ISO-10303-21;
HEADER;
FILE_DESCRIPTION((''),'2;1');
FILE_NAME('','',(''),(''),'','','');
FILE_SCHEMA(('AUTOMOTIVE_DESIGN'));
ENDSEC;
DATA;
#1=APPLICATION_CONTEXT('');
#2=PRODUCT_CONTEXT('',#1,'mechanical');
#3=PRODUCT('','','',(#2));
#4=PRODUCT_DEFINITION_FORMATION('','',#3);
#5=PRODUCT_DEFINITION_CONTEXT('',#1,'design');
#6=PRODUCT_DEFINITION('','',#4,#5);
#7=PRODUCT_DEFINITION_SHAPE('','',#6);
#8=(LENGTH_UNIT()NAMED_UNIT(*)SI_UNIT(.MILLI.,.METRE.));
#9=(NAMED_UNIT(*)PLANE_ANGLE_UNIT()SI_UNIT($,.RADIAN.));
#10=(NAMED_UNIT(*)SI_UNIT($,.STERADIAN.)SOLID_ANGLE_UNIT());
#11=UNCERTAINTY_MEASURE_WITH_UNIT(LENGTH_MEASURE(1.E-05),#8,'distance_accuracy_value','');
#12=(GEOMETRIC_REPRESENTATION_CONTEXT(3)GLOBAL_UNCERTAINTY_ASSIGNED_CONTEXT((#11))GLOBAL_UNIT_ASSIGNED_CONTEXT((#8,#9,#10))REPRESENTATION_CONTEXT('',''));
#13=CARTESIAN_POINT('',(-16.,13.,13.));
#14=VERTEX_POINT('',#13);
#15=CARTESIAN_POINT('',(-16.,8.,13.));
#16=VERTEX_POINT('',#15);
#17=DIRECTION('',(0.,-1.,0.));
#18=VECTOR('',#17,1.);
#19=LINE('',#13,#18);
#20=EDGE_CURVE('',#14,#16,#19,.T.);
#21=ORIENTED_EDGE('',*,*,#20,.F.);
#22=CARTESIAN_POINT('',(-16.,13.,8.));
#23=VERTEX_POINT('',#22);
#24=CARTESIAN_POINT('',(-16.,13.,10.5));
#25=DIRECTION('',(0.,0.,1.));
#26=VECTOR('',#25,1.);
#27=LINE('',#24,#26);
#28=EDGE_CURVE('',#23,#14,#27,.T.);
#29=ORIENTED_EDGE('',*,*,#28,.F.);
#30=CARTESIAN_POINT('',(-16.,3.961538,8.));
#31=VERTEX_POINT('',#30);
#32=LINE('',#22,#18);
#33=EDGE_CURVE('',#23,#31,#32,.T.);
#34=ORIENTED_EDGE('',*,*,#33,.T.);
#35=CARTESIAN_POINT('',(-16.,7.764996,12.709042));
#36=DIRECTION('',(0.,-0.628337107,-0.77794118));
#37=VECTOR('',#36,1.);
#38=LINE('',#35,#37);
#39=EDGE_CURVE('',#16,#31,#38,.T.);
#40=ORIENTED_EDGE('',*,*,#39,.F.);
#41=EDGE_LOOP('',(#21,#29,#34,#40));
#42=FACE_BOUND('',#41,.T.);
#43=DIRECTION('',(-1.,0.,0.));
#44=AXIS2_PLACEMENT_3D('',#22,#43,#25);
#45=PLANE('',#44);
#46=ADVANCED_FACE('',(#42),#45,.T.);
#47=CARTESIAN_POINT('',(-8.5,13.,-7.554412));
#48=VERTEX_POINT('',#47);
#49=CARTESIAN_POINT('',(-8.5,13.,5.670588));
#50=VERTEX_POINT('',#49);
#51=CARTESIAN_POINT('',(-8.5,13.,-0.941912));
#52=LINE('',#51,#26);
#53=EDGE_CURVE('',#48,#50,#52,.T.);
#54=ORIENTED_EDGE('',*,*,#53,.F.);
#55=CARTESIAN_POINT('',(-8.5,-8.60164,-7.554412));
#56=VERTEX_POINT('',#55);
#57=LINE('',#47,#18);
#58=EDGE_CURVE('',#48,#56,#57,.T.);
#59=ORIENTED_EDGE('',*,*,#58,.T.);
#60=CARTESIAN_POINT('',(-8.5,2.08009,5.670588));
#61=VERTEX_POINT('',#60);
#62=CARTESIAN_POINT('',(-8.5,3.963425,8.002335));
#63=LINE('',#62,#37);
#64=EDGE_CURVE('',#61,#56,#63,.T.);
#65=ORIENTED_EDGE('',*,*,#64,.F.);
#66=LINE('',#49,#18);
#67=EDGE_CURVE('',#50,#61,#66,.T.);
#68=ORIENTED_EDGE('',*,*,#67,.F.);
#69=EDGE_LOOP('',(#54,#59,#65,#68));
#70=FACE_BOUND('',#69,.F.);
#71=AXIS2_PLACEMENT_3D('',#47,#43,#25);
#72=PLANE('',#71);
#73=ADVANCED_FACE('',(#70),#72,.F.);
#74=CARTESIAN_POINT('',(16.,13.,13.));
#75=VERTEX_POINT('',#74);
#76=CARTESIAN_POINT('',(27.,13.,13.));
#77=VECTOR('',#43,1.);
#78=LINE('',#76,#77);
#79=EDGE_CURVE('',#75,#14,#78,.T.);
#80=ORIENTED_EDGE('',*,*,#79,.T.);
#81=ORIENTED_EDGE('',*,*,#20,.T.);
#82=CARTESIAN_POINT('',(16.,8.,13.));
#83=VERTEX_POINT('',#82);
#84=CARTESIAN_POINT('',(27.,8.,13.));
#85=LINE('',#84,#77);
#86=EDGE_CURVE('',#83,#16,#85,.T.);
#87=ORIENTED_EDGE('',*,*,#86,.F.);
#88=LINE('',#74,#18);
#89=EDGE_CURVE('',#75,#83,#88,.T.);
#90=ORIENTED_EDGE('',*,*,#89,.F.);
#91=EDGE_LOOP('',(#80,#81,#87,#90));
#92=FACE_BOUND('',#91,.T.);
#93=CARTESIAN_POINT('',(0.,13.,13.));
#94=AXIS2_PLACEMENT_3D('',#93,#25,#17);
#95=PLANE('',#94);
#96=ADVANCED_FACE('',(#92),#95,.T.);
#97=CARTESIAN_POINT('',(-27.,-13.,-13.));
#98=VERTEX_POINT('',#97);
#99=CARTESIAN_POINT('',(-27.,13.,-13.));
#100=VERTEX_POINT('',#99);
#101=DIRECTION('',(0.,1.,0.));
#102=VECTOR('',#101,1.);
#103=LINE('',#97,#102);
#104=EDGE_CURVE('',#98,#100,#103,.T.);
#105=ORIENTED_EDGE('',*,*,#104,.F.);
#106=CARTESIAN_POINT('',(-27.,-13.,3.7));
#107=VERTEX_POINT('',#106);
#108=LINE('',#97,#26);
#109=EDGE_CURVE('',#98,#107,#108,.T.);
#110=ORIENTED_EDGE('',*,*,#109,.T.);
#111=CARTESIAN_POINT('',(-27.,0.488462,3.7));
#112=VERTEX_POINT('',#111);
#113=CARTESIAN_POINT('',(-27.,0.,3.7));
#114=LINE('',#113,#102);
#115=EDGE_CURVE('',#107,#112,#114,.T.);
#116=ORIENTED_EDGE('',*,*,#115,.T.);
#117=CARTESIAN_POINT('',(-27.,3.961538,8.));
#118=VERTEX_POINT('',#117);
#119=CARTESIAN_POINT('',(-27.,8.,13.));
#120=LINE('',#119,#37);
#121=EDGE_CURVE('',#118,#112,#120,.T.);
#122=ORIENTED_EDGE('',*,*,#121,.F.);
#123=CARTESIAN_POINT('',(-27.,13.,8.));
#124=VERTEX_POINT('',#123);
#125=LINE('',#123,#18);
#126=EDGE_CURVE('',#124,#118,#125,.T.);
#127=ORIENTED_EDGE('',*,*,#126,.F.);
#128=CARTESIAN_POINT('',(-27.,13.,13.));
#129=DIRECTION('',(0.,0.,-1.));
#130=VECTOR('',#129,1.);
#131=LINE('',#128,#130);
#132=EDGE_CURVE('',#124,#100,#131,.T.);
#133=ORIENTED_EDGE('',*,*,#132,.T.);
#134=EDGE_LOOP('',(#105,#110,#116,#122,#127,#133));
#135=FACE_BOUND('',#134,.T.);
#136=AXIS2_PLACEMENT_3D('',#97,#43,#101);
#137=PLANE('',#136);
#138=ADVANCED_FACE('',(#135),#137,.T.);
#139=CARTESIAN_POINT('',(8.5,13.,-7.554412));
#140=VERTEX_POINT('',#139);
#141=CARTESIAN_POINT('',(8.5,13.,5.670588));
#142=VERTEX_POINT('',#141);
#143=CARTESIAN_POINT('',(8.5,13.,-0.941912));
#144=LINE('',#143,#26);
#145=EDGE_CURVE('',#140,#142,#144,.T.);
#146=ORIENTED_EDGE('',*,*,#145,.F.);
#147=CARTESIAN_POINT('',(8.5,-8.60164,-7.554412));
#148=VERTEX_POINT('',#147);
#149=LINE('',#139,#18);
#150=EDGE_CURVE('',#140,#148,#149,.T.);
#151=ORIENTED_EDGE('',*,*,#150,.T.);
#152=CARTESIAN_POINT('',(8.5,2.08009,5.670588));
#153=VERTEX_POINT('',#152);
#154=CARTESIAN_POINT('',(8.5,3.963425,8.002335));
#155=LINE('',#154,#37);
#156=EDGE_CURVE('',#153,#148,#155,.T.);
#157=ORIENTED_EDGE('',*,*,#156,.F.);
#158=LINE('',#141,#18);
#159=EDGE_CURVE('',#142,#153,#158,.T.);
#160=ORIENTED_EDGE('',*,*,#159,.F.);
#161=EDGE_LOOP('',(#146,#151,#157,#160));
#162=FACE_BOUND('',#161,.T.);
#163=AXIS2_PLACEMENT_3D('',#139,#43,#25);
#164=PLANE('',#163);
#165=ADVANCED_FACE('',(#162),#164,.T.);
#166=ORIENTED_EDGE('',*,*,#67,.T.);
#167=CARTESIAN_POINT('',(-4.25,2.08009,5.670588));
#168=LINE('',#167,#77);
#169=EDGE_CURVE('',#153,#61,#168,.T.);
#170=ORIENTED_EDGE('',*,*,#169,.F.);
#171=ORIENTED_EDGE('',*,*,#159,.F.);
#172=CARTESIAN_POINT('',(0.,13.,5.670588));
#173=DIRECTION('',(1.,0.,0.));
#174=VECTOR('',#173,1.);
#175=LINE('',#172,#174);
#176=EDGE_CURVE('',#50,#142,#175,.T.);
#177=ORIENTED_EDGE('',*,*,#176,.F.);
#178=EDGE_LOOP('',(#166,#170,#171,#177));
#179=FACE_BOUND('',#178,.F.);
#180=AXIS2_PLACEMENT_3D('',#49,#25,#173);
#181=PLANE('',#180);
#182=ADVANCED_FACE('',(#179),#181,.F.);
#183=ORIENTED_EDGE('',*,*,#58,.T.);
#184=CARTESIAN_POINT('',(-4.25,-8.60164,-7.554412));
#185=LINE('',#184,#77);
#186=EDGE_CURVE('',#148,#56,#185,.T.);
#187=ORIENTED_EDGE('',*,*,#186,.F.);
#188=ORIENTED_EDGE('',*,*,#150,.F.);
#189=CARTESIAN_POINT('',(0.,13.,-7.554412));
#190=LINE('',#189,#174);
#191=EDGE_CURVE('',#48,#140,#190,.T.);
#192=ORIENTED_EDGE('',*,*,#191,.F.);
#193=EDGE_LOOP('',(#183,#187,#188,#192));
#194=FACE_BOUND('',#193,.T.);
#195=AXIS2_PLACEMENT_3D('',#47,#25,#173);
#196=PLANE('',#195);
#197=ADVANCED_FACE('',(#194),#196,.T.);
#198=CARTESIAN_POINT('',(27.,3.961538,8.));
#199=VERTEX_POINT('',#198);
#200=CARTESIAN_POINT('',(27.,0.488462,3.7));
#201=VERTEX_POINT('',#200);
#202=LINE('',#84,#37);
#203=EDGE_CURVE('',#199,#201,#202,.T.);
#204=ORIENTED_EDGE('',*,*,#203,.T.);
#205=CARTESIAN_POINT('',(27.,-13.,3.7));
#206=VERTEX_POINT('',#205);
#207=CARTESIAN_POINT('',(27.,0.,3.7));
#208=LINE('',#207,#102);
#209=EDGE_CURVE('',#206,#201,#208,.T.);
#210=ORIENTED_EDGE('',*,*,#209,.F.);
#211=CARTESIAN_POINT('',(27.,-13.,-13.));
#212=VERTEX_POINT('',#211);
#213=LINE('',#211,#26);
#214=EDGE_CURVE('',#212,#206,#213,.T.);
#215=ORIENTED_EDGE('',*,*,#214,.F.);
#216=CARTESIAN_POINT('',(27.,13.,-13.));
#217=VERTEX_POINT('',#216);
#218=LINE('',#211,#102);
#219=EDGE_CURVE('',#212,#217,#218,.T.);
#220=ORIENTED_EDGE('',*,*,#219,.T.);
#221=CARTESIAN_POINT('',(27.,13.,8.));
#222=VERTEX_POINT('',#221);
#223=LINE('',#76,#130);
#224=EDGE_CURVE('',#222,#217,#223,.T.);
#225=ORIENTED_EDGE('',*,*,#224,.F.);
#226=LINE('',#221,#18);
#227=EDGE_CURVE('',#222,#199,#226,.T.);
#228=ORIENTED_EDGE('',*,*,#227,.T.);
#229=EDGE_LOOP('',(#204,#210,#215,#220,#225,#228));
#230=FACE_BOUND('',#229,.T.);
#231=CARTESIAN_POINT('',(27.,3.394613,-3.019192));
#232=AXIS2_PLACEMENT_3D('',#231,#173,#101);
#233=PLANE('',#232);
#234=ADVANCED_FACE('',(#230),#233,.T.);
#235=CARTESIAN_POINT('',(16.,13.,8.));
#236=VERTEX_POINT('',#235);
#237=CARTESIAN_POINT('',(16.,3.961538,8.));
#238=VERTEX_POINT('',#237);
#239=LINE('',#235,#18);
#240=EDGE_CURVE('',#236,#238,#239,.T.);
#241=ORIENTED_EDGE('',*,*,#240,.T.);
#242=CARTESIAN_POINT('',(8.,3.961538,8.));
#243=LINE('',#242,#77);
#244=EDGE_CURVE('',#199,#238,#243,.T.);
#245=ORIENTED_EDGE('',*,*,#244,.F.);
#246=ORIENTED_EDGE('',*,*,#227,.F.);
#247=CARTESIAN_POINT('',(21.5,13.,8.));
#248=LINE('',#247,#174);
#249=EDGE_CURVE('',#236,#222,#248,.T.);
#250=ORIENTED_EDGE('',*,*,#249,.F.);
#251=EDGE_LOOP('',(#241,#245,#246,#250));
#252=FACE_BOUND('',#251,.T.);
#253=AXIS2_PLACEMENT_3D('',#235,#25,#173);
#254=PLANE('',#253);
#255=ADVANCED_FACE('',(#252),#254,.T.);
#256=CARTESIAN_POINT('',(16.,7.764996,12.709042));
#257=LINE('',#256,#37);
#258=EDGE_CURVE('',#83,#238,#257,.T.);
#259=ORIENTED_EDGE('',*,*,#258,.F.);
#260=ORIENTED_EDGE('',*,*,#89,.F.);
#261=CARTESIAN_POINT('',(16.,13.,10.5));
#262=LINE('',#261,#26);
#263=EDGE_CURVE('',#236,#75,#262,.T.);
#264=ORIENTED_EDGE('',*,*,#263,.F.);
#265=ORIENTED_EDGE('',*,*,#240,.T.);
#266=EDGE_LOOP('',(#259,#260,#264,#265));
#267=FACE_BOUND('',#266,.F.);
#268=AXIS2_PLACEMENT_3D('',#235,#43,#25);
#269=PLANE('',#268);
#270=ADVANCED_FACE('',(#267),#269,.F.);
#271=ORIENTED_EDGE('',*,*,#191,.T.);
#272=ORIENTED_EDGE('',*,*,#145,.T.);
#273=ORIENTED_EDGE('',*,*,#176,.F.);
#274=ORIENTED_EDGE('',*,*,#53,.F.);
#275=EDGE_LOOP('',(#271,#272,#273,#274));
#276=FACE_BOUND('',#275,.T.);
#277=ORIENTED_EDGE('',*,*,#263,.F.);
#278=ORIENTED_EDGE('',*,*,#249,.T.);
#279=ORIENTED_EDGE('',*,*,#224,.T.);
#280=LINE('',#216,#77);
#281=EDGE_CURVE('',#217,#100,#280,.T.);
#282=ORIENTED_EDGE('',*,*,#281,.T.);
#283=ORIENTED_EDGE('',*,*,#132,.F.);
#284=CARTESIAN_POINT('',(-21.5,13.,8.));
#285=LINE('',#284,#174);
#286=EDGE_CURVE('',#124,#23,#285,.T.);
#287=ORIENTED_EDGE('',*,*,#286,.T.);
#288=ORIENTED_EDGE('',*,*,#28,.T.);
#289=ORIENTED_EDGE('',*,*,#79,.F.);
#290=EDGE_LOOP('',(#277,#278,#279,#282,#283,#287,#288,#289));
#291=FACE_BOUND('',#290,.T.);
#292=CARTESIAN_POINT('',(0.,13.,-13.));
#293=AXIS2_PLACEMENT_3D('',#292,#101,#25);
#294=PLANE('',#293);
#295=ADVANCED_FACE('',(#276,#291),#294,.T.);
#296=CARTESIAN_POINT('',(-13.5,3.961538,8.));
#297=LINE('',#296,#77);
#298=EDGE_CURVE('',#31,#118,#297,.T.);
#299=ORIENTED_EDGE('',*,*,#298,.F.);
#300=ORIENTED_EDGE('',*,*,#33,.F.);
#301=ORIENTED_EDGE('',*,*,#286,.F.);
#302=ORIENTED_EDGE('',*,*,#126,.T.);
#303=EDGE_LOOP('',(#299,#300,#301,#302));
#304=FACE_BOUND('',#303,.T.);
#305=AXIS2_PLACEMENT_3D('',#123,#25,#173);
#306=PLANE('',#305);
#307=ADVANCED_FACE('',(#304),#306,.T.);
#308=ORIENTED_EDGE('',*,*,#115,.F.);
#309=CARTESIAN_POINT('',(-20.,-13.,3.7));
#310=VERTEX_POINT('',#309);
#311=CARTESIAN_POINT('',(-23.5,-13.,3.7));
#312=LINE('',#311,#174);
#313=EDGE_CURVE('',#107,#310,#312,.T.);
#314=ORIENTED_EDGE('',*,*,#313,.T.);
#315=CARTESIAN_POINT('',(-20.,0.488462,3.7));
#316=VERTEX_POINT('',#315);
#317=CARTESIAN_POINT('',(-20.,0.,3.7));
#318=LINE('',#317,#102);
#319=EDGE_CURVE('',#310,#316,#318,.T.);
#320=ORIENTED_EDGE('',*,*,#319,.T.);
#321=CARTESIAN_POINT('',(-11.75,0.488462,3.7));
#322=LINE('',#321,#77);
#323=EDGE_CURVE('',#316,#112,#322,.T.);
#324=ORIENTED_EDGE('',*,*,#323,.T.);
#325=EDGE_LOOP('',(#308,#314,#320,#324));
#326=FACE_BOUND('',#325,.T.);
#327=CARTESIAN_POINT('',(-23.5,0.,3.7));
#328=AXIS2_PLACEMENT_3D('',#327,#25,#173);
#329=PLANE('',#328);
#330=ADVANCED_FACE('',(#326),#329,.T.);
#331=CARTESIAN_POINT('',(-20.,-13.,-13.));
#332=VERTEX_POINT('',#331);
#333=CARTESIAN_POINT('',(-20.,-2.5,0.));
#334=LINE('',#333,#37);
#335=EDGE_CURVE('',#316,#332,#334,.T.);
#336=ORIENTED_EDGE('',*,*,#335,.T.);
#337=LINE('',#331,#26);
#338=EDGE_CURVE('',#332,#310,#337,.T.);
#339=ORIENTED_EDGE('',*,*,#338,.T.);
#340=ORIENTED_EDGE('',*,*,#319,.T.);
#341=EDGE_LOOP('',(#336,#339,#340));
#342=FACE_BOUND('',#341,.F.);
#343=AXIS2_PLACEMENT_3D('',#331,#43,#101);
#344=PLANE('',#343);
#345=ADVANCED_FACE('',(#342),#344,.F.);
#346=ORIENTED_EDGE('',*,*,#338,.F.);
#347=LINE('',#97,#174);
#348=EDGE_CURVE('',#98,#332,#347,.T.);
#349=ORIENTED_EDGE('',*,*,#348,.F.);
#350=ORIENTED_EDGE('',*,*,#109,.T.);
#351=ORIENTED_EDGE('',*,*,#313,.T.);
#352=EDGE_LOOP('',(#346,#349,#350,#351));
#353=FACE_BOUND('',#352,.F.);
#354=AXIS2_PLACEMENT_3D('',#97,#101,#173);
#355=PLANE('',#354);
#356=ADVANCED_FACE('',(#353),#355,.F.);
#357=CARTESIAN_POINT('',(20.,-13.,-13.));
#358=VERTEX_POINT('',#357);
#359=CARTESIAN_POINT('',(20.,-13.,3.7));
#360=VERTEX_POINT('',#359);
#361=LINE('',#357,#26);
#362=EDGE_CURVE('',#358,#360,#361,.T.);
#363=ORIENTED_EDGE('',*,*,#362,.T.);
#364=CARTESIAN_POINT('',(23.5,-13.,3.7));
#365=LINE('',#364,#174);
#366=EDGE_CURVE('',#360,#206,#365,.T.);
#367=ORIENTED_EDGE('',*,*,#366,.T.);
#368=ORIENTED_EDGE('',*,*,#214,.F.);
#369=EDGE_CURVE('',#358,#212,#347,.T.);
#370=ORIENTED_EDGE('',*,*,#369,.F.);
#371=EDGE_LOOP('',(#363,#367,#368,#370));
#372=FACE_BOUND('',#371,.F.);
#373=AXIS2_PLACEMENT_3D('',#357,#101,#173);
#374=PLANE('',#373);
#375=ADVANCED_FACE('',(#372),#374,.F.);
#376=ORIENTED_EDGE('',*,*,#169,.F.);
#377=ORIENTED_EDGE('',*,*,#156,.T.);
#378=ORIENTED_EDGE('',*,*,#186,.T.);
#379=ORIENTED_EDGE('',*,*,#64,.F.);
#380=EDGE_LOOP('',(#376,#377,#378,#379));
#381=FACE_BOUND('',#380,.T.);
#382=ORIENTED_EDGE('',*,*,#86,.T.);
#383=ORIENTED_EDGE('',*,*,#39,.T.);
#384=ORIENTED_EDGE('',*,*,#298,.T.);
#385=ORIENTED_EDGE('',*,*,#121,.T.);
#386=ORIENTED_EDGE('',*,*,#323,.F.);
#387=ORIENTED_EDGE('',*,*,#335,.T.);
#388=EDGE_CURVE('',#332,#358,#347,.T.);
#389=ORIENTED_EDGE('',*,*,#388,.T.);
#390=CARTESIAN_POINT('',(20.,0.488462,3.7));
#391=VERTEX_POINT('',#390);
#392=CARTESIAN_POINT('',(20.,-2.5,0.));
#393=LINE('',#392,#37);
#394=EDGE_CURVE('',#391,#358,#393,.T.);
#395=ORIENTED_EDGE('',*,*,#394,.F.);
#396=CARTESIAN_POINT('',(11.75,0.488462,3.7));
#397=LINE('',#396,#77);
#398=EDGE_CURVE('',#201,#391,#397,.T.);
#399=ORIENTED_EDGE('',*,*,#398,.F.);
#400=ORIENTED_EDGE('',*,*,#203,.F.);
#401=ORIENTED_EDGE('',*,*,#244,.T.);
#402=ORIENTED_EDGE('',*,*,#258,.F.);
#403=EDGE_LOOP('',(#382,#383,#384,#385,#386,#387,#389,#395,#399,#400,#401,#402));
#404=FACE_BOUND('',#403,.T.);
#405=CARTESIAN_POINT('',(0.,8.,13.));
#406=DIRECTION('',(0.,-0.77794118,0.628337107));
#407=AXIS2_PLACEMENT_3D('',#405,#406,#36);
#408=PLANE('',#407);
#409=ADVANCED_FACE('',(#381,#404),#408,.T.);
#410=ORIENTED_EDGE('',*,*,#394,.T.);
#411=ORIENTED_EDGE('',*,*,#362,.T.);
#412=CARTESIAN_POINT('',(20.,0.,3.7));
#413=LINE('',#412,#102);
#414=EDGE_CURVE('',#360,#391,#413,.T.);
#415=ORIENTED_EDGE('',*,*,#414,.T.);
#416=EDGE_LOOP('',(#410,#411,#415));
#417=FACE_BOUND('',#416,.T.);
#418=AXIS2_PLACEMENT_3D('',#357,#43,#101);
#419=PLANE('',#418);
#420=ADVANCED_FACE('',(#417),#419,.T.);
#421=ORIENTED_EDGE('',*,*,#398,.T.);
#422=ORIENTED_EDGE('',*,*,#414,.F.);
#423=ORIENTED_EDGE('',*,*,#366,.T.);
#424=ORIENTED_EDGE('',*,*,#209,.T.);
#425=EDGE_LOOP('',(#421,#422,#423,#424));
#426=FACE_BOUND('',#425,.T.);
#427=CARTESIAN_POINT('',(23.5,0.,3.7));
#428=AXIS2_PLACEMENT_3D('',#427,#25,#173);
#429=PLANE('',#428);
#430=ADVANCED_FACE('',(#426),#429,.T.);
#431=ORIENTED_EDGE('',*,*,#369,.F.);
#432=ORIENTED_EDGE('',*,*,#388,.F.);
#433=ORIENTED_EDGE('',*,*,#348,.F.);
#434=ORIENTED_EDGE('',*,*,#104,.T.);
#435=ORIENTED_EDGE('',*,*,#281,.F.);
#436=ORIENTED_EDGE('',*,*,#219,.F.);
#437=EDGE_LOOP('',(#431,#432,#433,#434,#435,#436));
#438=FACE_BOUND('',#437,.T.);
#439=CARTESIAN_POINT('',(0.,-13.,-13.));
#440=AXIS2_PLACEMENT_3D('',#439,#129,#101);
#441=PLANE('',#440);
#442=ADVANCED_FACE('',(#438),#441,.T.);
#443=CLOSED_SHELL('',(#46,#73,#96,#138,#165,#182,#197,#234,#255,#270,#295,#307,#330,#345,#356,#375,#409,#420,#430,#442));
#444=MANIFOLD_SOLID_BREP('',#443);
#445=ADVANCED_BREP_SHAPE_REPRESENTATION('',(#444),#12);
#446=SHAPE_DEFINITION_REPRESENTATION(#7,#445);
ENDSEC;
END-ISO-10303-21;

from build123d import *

# Parameters (mm, degrees)
PAD_DEPTH       = 27
SKETCH001_W     = 7
SKETCH001_H     = 26
PAD001_DEPTH    = 16.7
SKETCH002_W     = 11
SKETCH002_H     = 5
POCKET_DEPTH    = 26.001
SKETCH005_W     = 17
SKETCH005_H     = 13.225
POCKET001_DEPTH = 26.001


with BuildPart() as part:
    # Sketch → Pad (new body, symmetric)
    with BuildSketch(Plane.YZ):
        Polygon((8, 13), (-13, -13), (13, -13), (13, 13), align=None)
    extrude(amount=PAD_DEPTH, both=True)

    # Sketch001 (on DatumPlane) → Pad001 (join)
    with BuildSketch(Plane.XY.offset(-13)):
        with Locations((-23.5, 0)):
            Rectangle(SKETCH001_W, SKETCH001_H)
        with Locations((23.5, 0)):
            Rectangle(SKETCH001_W, SKETCH001_H)
    extrude(amount=PAD001_DEPTH)

    # Sketch002 (on DatumPlane) → Pocket (cut, through all)
    with BuildSketch(Plane.XZ.offset(-13)):
        with Locations((-21.5, 10.5)):
            Rectangle(SKETCH002_W, SKETCH002_H)
        with Locations((21.5, 10.5)):
            Rectangle(SKETCH002_W, SKETCH002_H)
    extrude(amount=POCKET_DEPTH, mode=Mode.SUBTRACT)

    # Sketch005 (on DatumPlane) → Pocket001 (cut, through all)
    with BuildSketch(Plane.XZ.offset(-13)):
        with Locations((0, -0.941912)):
            Rectangle(SKETCH005_W, SKETCH005_H)
    extrude(amount=POCKET001_DEPTH, mode=Mode.SUBTRACT)


solid = part.part
